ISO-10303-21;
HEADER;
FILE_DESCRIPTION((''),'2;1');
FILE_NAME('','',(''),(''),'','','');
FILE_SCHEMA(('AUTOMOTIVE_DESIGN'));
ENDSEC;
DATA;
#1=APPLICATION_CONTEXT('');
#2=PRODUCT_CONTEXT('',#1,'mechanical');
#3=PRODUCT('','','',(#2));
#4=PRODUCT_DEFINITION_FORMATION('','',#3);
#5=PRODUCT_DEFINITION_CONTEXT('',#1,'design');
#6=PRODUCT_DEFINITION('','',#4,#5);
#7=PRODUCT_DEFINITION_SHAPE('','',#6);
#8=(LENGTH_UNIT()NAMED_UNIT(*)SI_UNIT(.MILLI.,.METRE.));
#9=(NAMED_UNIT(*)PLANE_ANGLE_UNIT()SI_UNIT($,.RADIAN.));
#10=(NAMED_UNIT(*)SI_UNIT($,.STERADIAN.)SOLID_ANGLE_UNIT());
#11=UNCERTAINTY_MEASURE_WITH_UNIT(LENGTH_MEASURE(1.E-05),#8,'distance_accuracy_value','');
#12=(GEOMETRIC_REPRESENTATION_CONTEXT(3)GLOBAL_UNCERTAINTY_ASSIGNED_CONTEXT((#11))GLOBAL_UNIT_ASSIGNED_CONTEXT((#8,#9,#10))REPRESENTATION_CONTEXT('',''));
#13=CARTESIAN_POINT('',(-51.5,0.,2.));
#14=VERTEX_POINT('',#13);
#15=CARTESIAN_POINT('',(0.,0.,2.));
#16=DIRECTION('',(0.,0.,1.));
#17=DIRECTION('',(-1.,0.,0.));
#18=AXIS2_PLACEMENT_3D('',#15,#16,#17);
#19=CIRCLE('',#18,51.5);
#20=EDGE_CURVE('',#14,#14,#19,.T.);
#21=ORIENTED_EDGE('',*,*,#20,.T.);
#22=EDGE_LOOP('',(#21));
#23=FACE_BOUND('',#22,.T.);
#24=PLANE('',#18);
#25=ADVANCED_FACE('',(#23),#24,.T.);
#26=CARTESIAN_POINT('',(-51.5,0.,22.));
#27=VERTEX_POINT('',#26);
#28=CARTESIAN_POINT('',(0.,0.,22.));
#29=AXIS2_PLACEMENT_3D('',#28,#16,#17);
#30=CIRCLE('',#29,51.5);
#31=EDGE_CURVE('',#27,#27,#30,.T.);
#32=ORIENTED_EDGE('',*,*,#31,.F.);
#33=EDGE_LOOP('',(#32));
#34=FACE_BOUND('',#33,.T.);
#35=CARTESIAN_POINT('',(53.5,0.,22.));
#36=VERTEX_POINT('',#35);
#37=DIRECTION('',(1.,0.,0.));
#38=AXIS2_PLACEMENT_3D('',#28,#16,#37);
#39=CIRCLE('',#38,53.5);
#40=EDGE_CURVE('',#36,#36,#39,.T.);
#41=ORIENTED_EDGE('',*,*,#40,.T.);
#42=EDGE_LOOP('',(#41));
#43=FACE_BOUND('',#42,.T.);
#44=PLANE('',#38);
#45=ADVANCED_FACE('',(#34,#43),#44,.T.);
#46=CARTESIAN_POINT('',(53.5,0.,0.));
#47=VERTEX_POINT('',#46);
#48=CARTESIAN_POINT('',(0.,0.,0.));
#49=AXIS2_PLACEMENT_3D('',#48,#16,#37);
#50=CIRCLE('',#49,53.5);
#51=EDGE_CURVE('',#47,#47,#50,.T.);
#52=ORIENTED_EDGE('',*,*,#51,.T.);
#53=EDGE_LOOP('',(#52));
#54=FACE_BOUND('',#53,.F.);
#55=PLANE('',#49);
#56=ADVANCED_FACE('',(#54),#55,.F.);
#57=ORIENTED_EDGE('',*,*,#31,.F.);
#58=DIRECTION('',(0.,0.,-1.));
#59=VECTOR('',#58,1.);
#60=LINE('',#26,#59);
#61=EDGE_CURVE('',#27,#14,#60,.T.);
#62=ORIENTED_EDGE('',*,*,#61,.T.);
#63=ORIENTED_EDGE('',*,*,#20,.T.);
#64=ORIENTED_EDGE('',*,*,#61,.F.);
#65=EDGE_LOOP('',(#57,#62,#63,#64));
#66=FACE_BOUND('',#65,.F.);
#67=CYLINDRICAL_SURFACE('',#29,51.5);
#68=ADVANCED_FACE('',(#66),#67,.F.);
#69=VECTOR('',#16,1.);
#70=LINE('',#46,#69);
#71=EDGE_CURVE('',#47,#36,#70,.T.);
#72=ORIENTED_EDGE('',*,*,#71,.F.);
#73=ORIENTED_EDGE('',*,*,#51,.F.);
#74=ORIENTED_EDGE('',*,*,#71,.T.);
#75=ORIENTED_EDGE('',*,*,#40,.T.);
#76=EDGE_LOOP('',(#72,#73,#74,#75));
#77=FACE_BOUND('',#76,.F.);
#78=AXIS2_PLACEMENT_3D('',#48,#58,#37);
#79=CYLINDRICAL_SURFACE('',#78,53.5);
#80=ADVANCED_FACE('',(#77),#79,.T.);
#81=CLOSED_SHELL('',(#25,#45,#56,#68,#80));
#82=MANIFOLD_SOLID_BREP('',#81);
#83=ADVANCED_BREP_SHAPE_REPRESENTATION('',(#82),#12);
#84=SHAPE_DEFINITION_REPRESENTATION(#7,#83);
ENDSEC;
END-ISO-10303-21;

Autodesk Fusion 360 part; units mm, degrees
sketch "Skizze1" plane through (0, 0, 0) normal (0, 0, 1) x (1, 0, 0)
  circle A0 centre (0, 0) radius 53.5
  dimension "d1" = 107
extrude "Extrusion1" add sketch "Skizze1" along normal blind 22
sketch "Skizze2" plane through (0, 0, 22) normal (0, 0, 1) x (-1, 0, 0)
  circle A0 centre (0, 0) radius 53.5
  circle A1 centre (0, 0) radius 51.5
  dimension "d4" = 103
extrude "Extrusion2" cut sketch "Skizze2" against normal blind 20 contours A1
